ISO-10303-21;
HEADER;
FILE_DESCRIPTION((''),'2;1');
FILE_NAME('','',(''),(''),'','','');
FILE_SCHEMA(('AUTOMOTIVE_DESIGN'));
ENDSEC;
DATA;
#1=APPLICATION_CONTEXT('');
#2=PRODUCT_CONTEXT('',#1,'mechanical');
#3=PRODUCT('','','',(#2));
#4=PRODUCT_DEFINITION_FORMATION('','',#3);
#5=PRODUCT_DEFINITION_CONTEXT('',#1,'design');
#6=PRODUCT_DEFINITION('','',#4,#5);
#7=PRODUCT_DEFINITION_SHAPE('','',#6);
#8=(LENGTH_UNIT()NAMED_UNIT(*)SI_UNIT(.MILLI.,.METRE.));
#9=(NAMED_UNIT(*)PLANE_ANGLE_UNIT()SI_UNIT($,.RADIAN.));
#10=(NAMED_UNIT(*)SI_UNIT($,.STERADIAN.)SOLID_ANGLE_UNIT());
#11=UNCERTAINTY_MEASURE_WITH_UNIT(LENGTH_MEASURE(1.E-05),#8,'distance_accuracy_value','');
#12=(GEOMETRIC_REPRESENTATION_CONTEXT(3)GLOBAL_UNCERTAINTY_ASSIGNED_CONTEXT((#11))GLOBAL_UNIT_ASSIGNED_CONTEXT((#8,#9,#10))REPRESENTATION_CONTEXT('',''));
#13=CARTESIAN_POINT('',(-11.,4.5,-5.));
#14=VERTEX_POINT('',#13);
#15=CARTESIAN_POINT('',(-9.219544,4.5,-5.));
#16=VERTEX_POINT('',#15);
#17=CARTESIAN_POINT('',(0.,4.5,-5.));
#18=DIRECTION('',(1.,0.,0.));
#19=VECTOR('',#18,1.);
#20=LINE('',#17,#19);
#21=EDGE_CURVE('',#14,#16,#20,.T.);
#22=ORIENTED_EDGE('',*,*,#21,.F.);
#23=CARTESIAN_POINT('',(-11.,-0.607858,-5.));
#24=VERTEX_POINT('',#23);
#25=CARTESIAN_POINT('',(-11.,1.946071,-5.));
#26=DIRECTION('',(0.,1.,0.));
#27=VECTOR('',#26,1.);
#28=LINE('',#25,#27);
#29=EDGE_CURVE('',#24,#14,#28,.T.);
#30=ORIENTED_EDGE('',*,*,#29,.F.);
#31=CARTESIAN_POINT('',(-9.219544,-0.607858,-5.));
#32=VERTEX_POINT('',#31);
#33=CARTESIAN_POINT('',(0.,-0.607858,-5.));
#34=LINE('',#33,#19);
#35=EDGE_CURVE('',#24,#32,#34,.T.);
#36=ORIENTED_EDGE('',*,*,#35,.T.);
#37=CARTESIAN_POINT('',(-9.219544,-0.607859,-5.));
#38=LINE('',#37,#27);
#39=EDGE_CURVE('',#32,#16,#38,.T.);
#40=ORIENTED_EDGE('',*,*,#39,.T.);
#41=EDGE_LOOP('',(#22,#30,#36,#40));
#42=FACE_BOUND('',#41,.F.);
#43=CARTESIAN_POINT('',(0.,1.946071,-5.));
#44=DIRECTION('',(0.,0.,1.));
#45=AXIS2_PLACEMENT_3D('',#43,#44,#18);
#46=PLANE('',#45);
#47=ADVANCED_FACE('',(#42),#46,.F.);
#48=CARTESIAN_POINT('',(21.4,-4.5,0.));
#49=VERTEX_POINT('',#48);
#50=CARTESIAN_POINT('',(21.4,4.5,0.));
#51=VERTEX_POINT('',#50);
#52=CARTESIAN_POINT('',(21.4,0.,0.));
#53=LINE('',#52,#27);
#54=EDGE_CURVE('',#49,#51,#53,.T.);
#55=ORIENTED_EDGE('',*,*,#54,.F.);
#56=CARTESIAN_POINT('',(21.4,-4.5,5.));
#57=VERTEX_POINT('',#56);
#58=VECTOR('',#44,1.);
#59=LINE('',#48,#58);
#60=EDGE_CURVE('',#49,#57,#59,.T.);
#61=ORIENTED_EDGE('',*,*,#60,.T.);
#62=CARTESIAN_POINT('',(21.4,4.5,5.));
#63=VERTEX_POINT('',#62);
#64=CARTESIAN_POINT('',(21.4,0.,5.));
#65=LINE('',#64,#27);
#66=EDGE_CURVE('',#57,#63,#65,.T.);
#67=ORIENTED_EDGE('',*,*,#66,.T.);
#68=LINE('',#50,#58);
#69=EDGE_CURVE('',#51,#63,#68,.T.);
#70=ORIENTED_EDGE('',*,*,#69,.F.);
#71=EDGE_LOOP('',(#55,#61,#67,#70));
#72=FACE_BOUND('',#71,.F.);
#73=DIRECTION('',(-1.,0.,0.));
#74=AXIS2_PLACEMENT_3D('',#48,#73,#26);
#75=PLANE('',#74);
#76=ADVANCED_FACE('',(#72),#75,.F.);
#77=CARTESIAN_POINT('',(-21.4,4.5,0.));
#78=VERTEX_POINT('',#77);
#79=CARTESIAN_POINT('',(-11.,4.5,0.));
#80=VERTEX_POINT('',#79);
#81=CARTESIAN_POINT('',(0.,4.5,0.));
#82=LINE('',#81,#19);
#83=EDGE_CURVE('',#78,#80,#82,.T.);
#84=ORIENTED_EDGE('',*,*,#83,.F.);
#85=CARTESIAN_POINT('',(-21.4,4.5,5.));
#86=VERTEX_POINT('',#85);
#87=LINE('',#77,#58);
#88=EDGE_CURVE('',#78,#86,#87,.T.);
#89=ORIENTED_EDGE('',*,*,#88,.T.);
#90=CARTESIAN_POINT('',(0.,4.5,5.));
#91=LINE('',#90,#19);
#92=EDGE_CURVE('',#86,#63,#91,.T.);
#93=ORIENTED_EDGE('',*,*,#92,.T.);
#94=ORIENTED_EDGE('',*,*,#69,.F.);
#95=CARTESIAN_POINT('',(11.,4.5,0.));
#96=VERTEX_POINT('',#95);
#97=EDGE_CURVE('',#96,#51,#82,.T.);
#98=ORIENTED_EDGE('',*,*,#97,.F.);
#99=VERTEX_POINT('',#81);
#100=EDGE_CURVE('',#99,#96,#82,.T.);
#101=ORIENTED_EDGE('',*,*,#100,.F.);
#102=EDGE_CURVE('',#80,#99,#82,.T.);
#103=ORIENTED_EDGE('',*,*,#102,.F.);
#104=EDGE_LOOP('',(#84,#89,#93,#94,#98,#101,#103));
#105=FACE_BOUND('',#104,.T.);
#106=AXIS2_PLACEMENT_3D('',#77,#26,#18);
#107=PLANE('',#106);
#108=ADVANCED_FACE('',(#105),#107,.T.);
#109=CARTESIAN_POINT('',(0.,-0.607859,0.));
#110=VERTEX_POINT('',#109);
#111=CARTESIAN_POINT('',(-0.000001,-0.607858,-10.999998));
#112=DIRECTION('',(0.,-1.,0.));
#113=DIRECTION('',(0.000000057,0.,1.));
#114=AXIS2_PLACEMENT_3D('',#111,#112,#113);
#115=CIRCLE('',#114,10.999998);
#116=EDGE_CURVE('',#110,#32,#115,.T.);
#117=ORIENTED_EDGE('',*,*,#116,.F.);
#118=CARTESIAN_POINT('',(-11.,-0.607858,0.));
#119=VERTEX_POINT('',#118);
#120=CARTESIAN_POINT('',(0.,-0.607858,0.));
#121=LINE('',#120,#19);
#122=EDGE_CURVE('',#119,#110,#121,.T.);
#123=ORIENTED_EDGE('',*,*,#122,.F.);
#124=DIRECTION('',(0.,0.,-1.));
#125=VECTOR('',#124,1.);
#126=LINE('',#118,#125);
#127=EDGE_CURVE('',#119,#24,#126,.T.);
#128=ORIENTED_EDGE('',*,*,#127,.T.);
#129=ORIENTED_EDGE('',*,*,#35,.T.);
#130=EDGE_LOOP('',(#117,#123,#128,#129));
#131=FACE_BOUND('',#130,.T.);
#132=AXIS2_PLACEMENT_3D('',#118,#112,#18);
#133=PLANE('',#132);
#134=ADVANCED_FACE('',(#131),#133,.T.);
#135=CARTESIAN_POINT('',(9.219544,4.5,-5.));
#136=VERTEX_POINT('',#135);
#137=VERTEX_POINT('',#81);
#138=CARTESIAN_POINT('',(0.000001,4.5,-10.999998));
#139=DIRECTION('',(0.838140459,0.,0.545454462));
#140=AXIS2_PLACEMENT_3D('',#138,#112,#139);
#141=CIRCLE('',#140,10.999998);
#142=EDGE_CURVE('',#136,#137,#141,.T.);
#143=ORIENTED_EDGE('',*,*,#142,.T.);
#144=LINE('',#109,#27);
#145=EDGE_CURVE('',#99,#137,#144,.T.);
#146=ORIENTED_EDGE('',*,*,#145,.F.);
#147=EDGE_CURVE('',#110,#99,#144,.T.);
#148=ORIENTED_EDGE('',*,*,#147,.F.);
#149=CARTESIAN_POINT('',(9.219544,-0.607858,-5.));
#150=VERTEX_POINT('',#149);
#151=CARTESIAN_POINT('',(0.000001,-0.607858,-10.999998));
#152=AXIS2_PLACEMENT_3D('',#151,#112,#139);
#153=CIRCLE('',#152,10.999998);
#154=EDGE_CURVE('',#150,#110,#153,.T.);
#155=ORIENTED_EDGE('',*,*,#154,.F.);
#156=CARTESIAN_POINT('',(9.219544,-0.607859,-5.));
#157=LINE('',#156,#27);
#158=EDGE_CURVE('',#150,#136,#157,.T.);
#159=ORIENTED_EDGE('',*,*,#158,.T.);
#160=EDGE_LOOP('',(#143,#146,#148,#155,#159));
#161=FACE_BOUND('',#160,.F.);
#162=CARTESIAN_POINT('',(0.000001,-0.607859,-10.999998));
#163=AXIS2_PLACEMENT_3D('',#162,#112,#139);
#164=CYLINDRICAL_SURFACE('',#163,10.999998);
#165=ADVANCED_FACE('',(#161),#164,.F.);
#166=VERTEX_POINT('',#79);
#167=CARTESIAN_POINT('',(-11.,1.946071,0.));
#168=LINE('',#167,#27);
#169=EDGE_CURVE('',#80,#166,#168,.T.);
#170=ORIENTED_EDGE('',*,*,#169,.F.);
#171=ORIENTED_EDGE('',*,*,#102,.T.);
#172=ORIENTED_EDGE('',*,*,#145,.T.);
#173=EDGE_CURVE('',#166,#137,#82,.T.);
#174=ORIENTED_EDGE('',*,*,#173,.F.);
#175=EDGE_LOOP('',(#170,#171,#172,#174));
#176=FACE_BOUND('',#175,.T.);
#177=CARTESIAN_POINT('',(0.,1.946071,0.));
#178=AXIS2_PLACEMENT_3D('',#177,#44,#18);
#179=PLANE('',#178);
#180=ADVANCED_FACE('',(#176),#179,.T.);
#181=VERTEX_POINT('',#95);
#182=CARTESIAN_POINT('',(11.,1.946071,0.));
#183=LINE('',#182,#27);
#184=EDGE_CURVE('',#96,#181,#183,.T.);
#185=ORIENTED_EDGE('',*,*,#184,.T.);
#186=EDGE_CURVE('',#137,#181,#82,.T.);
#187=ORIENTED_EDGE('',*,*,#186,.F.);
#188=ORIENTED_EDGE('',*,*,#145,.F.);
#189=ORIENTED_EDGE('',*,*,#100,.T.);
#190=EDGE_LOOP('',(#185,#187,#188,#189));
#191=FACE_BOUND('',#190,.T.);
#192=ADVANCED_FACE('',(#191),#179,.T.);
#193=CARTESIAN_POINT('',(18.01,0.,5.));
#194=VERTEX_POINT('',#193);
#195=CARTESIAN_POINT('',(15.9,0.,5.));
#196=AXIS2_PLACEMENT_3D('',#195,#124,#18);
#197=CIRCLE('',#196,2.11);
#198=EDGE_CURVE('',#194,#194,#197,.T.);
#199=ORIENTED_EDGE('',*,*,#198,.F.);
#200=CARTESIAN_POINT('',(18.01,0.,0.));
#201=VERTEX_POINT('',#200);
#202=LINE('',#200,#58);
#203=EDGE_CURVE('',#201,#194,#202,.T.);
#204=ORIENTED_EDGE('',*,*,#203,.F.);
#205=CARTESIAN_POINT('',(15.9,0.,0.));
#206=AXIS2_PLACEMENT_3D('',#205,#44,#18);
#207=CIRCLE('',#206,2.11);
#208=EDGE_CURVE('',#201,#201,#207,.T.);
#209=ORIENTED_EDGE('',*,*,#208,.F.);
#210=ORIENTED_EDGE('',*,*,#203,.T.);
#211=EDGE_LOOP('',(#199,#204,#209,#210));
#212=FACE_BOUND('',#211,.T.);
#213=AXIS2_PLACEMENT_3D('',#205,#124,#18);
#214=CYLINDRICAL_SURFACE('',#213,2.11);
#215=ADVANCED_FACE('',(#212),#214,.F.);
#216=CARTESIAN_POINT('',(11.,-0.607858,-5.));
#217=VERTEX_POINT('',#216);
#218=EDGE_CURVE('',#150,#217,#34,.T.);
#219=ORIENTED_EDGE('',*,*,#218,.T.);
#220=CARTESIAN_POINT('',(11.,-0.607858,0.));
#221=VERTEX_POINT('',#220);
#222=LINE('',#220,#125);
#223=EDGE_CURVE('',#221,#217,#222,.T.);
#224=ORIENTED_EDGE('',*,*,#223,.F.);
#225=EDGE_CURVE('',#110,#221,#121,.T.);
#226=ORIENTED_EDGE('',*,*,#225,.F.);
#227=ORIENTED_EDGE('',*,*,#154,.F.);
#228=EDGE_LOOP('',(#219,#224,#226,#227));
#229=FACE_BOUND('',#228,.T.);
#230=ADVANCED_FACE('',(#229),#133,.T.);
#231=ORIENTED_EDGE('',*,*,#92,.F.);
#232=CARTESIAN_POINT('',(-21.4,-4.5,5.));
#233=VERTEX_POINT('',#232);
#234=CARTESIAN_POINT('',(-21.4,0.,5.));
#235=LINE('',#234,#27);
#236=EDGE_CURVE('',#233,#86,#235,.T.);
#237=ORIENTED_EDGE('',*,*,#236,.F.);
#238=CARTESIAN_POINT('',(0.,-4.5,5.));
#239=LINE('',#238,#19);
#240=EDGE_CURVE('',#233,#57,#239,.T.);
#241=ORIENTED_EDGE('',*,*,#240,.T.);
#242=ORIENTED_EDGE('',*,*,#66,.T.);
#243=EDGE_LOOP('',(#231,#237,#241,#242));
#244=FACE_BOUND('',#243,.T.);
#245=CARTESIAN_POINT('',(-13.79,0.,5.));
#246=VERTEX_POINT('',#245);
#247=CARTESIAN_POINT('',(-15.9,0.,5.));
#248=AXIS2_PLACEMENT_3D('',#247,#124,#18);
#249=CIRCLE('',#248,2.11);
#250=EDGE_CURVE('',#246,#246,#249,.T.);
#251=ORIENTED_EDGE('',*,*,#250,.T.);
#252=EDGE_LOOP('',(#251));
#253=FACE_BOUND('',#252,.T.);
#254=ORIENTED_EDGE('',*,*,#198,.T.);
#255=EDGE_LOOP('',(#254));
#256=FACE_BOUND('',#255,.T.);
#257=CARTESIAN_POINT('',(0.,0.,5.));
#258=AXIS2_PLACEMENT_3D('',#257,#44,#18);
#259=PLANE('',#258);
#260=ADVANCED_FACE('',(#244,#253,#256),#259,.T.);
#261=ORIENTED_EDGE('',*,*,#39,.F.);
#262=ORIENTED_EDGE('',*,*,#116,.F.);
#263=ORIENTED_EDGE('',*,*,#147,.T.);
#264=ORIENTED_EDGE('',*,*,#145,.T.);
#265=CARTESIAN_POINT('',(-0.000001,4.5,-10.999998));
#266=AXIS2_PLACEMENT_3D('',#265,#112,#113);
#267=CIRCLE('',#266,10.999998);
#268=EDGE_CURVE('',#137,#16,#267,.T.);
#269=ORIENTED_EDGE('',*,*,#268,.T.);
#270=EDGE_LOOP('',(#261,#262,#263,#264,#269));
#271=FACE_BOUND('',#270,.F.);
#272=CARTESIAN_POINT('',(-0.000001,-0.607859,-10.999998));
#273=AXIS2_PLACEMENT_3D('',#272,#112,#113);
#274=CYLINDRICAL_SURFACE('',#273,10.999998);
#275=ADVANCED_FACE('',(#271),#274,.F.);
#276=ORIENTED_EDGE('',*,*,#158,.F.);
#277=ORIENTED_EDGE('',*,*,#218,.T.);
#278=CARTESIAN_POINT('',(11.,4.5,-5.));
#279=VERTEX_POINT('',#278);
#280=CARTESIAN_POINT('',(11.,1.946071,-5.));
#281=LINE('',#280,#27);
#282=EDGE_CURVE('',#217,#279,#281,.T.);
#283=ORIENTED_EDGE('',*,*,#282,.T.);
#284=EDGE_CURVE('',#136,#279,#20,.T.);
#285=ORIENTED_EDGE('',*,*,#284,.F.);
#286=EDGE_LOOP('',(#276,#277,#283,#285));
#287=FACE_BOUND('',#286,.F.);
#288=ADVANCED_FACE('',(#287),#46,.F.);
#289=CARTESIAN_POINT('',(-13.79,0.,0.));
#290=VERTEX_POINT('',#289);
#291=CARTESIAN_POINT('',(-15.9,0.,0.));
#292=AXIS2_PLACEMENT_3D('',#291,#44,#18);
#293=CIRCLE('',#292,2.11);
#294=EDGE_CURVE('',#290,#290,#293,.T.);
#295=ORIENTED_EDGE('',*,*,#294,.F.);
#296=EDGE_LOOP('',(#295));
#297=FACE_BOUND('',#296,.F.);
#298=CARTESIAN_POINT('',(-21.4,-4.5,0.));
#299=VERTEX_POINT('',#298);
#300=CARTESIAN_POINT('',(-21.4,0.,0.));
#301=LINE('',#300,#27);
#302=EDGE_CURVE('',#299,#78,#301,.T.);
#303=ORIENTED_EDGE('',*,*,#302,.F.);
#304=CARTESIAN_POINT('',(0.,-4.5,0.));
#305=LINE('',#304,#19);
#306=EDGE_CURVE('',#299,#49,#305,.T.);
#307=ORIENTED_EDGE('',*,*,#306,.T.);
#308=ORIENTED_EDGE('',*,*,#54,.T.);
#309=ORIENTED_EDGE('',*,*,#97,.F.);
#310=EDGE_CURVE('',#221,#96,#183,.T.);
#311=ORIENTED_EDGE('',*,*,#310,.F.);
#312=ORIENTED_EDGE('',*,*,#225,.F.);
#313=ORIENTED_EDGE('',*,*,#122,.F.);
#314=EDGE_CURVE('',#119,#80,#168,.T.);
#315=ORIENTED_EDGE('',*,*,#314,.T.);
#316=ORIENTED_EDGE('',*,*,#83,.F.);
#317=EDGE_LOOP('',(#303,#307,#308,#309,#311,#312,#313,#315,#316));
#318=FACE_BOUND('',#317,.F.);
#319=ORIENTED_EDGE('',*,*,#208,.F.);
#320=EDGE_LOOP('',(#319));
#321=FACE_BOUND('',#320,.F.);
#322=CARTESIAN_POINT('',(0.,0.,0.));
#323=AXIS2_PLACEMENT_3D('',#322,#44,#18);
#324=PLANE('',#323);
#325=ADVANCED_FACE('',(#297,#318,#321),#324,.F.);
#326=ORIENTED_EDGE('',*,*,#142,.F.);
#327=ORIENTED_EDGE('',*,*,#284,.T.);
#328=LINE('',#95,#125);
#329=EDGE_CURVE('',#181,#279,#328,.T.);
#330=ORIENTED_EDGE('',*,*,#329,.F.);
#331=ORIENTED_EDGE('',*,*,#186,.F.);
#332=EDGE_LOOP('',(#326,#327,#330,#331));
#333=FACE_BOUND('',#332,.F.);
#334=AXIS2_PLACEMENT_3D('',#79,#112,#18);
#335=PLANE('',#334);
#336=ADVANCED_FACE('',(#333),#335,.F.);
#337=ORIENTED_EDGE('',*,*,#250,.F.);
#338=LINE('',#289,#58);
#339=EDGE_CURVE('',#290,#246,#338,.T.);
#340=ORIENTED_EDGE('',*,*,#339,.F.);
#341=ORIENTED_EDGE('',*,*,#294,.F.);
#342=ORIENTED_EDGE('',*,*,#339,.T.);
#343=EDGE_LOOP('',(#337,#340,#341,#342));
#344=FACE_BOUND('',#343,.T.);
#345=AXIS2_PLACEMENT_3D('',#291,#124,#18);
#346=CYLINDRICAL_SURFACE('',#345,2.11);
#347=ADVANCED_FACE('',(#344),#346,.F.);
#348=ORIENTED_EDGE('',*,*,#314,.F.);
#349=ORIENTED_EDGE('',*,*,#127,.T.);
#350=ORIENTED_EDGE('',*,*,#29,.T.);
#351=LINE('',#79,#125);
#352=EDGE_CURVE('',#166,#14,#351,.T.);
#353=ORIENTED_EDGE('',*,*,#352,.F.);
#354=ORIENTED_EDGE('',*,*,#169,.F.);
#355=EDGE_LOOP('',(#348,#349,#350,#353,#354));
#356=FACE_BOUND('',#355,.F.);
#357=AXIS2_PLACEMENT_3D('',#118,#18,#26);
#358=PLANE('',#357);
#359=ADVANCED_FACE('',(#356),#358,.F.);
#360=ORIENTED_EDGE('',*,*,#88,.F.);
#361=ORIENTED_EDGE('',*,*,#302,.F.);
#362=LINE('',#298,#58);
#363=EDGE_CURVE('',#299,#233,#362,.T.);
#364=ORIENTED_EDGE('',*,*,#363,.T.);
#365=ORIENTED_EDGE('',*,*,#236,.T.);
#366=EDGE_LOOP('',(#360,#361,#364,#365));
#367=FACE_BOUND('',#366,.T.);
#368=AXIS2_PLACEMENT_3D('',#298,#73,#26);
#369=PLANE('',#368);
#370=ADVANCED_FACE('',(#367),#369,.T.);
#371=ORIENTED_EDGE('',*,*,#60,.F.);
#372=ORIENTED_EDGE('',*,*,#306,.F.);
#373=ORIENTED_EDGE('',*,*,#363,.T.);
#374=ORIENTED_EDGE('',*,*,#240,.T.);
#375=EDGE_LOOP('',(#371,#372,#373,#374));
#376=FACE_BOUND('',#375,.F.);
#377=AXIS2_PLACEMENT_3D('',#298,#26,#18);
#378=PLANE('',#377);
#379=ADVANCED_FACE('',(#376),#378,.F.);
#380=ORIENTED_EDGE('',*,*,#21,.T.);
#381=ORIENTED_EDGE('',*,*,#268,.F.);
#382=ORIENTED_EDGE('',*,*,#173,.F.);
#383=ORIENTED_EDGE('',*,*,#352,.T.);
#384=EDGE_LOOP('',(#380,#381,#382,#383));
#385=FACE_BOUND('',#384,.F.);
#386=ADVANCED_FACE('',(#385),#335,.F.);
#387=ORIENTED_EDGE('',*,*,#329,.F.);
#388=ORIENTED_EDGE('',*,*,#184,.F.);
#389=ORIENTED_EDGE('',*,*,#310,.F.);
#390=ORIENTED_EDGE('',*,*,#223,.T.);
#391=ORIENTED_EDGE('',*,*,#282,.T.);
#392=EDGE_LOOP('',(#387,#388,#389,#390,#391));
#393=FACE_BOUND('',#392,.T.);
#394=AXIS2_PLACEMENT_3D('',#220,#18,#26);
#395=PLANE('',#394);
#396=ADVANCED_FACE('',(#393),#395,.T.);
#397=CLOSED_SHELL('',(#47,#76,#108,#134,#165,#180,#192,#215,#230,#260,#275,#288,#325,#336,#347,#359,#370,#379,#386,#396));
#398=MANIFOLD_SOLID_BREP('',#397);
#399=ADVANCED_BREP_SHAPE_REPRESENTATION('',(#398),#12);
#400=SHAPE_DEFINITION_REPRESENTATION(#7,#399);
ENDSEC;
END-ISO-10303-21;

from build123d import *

# Parameters (mm, degrees)
F0_W     = 42.8
F0_H     = 9
F3_DEPTH = 5
F1_R     = 2.11
F4_DEPTH = 7
F2_W     = 22
F2_H     = 5.107859
F5_DEPTH = 5
F7_DEPTH = 7.1


with BuildPart() as f3:
    # F0 (on Top) → F3 (new body)
    with BuildSketch(Plane.XY):
        Rectangle(F0_W, F0_H)
    extrude(amount=F3_DEPTH)

    # F1 (on face) → F4 (cut)
    with BuildSketch(Plane.XY):
        with Locations((-15.9, 0)):
            Circle(F1_R)
        with Locations((15.9, 0)):
            Circle(F1_R)
    extrude(amount=F4_DEPTH, mode=Mode.SUBTRACT)

    # F2 (on face) → F5 (join)
    with BuildSketch(Plane.XY):
        with Locations((0, 1.946071)):
            Rectangle(F2_W, F2_H)
    extrude(amount=-F5_DEPTH)

    # F6 (on face) → F7 (cut)
    with BuildSketch(Plane.XZ.offset(0.607859)):
        with BuildLine():
            Line((-9.219544, -5), (9.219544, -5))
            ThreePointArc((9.219544, -5), (5.244044, -1.33046), (0, 0))
            ThreePointArc((0, 0), (-5.244044, -1.33046), (-9.219544, -5))
        make_face()
    extrude(amount=-F7_DEPTH, mode=Mode.SUBTRACT)


solid = f3.part
